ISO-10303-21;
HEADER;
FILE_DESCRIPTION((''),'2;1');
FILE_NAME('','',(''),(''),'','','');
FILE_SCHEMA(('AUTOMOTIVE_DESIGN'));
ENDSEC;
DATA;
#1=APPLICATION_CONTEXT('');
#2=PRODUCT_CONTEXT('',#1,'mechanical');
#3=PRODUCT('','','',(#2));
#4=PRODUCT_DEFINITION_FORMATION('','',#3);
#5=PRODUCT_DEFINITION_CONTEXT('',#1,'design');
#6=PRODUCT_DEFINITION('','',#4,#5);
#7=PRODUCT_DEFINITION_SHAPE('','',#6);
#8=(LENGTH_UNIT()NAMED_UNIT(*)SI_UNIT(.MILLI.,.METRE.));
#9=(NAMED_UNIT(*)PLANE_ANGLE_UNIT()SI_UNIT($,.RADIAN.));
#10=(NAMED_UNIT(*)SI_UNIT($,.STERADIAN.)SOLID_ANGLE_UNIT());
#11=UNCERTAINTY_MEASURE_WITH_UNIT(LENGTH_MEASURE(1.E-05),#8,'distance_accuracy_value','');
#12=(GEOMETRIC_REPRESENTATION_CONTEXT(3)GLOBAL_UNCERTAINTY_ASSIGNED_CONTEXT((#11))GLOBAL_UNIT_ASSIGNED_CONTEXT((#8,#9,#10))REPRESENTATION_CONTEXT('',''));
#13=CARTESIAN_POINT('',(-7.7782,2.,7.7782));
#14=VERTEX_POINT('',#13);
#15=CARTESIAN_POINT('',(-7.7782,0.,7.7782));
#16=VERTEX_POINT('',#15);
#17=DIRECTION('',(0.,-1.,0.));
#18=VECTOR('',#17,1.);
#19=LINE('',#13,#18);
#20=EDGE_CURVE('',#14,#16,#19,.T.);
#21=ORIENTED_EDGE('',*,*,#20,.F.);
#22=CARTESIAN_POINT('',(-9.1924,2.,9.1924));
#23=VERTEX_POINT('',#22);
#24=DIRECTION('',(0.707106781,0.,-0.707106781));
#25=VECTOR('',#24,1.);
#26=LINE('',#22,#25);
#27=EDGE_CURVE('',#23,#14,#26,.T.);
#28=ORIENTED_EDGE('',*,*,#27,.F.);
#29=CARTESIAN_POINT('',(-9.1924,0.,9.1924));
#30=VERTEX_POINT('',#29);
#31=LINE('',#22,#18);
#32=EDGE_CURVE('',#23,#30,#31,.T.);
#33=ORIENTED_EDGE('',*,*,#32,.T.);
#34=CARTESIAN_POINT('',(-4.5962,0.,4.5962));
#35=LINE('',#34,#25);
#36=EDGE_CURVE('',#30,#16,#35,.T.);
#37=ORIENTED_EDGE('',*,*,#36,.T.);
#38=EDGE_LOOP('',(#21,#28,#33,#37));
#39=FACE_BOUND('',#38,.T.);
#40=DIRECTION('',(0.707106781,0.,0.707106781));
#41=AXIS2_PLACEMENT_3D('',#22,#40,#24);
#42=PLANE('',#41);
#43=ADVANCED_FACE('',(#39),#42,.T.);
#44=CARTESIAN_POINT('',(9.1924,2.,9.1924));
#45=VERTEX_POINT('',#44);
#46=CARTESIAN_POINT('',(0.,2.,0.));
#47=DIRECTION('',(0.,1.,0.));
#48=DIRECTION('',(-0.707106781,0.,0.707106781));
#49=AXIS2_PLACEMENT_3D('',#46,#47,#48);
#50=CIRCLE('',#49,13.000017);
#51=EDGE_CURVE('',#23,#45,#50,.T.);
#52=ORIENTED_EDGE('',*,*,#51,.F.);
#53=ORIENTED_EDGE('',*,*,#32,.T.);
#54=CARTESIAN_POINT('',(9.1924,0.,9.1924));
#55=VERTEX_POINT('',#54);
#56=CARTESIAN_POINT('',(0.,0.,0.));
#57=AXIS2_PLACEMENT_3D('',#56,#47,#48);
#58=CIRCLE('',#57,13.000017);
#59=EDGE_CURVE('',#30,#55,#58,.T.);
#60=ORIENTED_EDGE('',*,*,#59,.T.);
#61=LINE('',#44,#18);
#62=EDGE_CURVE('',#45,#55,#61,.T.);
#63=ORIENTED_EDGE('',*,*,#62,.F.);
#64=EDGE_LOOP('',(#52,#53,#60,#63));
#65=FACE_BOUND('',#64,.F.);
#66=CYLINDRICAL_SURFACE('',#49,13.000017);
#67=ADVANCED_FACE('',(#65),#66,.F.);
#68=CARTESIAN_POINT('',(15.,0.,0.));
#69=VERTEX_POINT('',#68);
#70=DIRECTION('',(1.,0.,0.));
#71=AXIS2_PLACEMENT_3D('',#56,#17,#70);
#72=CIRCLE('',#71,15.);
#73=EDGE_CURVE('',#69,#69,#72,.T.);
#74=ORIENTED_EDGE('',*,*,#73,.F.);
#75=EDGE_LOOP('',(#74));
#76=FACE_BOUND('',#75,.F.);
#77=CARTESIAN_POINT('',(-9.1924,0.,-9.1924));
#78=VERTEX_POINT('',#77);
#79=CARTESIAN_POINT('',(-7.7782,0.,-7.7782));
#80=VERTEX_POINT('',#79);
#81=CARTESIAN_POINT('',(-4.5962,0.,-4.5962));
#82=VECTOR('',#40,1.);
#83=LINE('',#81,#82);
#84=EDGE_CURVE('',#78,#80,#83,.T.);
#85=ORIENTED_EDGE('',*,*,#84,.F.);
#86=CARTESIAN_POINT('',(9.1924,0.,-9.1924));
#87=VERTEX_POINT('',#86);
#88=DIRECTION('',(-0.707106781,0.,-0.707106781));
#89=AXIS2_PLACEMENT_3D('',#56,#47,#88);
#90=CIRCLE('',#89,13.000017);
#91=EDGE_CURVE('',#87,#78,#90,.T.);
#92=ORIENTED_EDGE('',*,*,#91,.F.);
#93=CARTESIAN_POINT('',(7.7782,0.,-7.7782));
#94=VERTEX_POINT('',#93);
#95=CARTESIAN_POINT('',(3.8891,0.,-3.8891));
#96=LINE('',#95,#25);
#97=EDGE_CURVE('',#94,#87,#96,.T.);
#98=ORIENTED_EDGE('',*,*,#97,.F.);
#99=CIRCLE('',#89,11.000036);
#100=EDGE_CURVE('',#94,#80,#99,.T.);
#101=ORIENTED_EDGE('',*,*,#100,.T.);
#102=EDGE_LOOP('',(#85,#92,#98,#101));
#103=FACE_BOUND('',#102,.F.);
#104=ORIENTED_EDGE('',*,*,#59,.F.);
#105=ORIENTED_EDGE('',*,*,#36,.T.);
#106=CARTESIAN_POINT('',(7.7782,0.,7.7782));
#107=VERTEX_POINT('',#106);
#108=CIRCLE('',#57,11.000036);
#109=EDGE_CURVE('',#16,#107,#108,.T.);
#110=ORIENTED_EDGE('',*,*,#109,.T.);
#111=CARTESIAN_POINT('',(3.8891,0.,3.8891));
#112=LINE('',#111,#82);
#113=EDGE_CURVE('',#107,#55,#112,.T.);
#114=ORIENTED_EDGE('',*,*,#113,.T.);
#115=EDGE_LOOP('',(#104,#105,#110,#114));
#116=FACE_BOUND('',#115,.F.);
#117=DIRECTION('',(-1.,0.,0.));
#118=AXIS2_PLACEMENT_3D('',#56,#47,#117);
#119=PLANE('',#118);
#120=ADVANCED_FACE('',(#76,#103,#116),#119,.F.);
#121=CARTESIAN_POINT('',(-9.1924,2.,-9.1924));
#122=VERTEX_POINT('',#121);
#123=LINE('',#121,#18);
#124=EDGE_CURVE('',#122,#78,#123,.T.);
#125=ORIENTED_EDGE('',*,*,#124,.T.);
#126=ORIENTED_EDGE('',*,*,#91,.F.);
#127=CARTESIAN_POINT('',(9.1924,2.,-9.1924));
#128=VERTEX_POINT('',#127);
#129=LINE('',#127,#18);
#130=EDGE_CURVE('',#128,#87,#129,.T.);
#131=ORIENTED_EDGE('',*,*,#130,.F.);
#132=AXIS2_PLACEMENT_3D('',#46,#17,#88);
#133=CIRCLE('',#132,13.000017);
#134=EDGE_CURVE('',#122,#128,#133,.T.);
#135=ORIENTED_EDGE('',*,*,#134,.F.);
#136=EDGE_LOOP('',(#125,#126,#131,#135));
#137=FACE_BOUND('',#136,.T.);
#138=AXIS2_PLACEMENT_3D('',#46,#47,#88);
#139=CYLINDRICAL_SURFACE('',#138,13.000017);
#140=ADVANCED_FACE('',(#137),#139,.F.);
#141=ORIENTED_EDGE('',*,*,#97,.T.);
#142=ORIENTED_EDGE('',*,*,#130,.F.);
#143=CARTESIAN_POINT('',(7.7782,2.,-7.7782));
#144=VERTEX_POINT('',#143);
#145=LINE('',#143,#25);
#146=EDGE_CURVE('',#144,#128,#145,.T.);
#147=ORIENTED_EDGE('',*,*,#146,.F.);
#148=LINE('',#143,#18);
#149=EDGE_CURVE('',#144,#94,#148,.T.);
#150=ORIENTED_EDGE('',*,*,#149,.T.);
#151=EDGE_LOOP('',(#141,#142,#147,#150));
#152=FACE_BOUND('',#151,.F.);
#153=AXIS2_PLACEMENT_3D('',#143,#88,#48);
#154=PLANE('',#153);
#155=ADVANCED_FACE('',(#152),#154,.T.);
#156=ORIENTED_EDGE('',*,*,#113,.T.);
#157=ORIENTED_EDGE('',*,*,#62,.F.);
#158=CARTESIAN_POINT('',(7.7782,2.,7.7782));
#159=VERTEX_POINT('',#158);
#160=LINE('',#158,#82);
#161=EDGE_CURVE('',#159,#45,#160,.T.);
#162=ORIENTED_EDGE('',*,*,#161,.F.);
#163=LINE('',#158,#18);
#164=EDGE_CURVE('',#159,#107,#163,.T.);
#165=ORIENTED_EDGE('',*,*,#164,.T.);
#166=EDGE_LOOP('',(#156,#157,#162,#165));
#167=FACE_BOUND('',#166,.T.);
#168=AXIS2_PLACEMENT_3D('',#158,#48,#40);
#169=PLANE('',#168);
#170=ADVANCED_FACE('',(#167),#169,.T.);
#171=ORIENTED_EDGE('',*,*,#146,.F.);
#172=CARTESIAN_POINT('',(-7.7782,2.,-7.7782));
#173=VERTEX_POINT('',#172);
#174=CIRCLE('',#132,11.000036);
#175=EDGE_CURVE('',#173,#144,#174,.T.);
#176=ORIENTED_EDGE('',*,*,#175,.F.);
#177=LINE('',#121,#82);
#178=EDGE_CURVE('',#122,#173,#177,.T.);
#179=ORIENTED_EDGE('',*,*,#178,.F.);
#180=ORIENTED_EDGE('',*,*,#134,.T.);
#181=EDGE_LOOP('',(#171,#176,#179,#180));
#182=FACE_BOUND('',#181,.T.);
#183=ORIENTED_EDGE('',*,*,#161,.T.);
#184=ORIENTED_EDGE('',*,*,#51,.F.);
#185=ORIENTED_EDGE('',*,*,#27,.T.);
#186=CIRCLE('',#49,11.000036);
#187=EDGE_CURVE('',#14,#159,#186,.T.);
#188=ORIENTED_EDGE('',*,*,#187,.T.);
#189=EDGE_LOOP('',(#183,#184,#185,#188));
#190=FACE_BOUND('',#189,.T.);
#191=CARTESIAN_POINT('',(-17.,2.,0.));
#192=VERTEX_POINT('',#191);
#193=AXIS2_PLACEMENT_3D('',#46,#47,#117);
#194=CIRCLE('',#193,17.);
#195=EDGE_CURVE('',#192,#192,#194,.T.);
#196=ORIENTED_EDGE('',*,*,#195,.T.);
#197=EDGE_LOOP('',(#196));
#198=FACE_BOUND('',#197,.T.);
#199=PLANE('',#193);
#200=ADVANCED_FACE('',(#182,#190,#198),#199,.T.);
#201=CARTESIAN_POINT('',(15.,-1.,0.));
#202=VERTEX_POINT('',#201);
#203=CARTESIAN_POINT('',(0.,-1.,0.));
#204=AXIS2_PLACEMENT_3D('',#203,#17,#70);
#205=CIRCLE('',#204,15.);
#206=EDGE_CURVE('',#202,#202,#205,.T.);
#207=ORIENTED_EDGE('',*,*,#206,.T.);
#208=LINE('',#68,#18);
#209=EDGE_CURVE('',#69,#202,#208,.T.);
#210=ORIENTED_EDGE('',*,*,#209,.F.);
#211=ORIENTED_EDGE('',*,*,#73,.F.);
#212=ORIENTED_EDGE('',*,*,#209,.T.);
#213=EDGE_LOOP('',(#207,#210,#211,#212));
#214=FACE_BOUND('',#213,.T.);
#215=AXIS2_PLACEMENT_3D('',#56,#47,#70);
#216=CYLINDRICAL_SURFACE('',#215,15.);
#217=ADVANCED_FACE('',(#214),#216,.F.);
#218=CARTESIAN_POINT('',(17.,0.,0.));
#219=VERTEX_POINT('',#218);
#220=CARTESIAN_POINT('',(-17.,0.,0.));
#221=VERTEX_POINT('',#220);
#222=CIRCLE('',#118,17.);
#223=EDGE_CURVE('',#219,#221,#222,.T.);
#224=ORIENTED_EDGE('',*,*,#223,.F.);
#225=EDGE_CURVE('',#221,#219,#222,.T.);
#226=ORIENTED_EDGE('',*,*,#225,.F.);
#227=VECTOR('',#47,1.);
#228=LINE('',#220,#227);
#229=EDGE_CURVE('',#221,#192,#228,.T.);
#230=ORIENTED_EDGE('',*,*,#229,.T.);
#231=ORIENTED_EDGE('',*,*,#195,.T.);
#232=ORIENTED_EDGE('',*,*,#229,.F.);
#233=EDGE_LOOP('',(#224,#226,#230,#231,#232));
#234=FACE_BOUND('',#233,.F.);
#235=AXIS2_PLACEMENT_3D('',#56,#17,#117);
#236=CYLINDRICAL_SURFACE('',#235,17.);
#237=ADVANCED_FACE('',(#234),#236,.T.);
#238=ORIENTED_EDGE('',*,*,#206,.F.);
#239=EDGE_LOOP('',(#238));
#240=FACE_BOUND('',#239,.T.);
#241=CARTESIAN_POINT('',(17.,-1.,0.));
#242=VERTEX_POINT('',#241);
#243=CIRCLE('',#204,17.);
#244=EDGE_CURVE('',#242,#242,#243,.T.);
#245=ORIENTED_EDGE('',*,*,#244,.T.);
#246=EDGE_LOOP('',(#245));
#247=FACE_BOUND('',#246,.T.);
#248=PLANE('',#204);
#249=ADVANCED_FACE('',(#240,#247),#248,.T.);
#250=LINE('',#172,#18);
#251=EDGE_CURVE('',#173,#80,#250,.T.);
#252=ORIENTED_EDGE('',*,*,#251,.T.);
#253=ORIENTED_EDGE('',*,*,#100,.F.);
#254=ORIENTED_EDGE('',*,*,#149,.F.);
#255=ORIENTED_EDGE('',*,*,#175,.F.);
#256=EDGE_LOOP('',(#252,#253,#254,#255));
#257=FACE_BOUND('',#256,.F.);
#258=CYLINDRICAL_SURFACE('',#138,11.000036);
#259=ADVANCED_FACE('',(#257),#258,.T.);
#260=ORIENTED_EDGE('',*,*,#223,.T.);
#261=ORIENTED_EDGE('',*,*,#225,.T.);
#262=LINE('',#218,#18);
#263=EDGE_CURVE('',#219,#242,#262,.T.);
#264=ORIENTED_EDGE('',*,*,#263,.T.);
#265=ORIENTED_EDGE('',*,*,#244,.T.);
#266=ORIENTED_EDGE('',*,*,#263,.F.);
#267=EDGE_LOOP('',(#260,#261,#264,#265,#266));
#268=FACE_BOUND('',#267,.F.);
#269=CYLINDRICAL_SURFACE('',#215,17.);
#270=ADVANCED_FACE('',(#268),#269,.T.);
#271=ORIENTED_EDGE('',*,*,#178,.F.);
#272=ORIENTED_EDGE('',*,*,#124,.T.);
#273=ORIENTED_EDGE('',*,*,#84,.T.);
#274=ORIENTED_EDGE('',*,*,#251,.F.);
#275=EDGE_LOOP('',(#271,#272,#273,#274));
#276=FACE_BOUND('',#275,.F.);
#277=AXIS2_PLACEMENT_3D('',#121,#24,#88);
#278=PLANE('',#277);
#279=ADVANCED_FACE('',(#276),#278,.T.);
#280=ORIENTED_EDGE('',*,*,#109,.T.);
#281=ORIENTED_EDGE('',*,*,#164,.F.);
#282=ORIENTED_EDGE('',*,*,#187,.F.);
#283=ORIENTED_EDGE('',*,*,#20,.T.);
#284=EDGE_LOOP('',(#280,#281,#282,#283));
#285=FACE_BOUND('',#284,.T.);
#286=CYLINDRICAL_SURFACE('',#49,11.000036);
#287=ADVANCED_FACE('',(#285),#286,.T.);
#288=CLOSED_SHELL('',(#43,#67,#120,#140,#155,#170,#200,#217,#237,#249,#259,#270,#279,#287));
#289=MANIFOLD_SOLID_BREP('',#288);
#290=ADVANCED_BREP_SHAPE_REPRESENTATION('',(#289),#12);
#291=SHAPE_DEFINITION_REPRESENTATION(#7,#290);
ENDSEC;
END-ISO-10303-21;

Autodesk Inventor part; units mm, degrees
ref_plane "YZ Plane" through (0, 0, 0) normal (1, 0, 0) x (0, 1, 0)
ref_plane "XZ Plane" through (0, 0, 0) normal (0, 1, 0) x (-1, 0, 0)
ref_plane "XY Plane" through (0, 0, 0) normal (0, 0, 1) x (1, 0, 0)
sketch "Sketch1" plane through (0, 0, 0) normal (0, 1, 0) x (-1, 0, 0)
  circle A0 centre (0, 0) radius 17
  dimension "d0" = 34
extrude "Extrusion1" add sketch "Sketch1" along normal blind 2
sketch "Sketch2" plane through (0, 0, 0) normal (0, -1, 0) x (1, 0, 0)
  circle A0 centre (0, 0) radius 17 projected
  circle A1 centre (0, 0) radius 15
  dimension "d3" = 2
extrude "Extrusion2" add sketch "Sketch2" along normal blind 1
sketch "Sketch3" plane through (0, 2, 0) normal (0, 1, 0) x (1, 0, 0)
  circle A0 centre (0, 0) radius 17 projected
  arc A1 (-9.1924, -9.1924) -> (9.1924, -9.1924) centre (0, 0) ccw
  arc A2 (-7.7782, -7.7782) -> (7.7782, -7.7782) centre (0, 0) ccw
  line L0 (0, 0) -> (-9.1924, -9.1924) construction
  line L1 (0, 0) -> (9.1924, -9.1924) construction
  line L2 (-9.1924, -9.1924) -> (-7.7782, -7.7782)
  line L3 (7.7782, -7.7782) -> (9.1924, -9.1924)
  dimension "d6" = 4
  dimension "d7" = 2
extrude "Extrusion3" cut sketch "Sketch3" against normal through all contours L2 A2 L3 A1
mirror "Mirror1" about plane through (0, 0, 0) normal (0, 0, 1) of "Extrusion3"
properties part number "circularholder" material "PET Plastic"
